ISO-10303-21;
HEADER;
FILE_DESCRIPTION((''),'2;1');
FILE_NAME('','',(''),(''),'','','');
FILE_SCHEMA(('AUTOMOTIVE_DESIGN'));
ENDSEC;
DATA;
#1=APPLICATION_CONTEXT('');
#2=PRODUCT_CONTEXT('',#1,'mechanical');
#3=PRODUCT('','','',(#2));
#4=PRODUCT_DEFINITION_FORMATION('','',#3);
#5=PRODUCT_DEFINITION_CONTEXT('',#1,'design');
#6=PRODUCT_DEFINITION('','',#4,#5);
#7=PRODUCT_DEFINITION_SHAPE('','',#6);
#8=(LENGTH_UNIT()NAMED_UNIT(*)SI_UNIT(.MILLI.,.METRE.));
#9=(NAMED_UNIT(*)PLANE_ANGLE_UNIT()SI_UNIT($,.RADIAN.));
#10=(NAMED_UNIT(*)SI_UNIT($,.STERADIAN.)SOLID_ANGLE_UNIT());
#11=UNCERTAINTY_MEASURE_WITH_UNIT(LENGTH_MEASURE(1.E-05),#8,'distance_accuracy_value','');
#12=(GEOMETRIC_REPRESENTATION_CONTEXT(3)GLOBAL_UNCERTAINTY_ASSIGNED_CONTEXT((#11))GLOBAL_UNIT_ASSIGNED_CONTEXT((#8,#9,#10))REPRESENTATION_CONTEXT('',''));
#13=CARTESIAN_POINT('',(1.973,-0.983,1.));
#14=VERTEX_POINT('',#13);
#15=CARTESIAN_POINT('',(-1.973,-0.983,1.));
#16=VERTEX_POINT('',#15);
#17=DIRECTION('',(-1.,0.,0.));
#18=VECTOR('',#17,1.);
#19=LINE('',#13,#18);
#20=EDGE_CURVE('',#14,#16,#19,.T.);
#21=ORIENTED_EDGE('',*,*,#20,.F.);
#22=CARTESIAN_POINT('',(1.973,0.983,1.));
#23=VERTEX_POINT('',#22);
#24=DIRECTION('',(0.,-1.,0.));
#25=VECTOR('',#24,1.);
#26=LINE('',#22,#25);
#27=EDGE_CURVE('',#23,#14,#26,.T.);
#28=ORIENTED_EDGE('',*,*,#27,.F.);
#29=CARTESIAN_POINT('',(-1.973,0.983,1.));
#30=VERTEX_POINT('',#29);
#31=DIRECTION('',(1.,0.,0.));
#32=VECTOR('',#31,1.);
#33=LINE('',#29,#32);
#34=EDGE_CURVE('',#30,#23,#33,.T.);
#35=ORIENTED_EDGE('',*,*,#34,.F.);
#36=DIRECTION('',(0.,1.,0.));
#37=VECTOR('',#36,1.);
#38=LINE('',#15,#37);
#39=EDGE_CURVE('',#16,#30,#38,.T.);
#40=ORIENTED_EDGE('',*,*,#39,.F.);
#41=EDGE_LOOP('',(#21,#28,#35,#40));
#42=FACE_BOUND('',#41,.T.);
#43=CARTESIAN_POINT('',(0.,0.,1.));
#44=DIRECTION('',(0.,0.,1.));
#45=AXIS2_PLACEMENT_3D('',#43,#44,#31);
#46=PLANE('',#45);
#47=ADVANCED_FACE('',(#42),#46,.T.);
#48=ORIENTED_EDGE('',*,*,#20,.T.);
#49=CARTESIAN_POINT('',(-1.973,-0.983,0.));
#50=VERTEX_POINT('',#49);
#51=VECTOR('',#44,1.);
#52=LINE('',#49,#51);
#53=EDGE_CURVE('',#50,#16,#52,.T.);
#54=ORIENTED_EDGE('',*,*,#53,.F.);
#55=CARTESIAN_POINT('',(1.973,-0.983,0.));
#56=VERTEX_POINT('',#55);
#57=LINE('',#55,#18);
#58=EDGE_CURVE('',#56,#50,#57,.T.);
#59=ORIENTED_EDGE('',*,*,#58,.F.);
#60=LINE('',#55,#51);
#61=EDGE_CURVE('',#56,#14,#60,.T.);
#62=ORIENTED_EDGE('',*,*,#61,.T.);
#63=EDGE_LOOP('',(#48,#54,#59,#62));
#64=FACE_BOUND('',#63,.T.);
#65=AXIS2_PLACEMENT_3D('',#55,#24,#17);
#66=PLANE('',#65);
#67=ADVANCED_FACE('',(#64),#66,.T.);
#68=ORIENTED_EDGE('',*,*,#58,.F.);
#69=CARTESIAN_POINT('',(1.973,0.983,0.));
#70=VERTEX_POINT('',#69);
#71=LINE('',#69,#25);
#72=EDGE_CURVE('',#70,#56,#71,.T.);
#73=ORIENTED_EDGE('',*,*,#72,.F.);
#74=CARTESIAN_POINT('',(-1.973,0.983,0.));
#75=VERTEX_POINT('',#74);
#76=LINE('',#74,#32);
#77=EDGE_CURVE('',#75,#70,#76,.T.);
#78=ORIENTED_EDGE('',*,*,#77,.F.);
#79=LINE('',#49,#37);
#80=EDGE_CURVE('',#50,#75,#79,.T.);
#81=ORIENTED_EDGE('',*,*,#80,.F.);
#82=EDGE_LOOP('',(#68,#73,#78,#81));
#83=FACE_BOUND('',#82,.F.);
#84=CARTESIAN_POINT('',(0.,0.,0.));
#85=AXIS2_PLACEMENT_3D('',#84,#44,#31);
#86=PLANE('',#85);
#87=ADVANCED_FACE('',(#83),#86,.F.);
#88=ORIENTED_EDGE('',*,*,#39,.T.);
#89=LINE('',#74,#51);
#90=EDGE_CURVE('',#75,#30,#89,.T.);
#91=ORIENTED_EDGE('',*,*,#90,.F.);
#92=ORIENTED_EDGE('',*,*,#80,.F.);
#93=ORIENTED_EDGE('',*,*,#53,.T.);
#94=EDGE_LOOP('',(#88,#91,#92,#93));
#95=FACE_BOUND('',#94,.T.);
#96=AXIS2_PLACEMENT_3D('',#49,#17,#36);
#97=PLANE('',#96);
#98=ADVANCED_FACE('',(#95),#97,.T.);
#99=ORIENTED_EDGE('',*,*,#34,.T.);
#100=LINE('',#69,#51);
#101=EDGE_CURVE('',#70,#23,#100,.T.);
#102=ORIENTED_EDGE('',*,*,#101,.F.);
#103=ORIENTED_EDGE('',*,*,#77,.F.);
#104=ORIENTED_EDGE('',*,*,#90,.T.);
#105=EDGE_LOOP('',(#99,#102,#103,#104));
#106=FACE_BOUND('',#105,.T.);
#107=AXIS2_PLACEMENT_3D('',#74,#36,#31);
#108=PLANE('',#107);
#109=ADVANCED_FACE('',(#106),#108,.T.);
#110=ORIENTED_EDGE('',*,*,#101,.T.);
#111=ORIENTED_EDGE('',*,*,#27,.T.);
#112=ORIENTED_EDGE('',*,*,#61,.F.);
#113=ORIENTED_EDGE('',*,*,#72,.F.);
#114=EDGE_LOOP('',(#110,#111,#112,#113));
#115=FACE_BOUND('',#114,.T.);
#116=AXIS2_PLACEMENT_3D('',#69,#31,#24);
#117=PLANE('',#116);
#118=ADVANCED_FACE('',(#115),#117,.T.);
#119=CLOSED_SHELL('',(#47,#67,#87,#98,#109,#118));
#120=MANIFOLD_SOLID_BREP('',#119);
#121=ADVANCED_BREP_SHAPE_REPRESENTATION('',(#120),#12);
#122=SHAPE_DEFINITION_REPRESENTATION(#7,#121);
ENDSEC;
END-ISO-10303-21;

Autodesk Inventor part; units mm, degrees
ref_plane "YZ Plane" through (0, 0, 0) normal (1, 0, 0) x (0, 1, 0)
ref_plane "XZ Plane" through (0, 0, 0) normal (0, 1, 0) x (-1, 0, 0)
ref_plane "XY Plane" through (0, 0, 0) normal (0, 0, 1) x (1, 0, 0)
sketch "R0805, 466K_65" plane through (0, 0, 0) normal (0, 0, 1) x (1, 0, 0)
  line L0 (-1.973, 0.983) -> (1.973, 0.983)
  line L1 (1.973, 0.983) -> (1.973, -0.983)
  line L2 (1.973, -0.983) -> (-1.973, -0.983)
  line L3 (-1.973, -0.983) -> (-1.973, 0.983)
extrude "Extrusion1" add sketch "R0805, 466K_65" along normal blind 1
properties part number "466K"
